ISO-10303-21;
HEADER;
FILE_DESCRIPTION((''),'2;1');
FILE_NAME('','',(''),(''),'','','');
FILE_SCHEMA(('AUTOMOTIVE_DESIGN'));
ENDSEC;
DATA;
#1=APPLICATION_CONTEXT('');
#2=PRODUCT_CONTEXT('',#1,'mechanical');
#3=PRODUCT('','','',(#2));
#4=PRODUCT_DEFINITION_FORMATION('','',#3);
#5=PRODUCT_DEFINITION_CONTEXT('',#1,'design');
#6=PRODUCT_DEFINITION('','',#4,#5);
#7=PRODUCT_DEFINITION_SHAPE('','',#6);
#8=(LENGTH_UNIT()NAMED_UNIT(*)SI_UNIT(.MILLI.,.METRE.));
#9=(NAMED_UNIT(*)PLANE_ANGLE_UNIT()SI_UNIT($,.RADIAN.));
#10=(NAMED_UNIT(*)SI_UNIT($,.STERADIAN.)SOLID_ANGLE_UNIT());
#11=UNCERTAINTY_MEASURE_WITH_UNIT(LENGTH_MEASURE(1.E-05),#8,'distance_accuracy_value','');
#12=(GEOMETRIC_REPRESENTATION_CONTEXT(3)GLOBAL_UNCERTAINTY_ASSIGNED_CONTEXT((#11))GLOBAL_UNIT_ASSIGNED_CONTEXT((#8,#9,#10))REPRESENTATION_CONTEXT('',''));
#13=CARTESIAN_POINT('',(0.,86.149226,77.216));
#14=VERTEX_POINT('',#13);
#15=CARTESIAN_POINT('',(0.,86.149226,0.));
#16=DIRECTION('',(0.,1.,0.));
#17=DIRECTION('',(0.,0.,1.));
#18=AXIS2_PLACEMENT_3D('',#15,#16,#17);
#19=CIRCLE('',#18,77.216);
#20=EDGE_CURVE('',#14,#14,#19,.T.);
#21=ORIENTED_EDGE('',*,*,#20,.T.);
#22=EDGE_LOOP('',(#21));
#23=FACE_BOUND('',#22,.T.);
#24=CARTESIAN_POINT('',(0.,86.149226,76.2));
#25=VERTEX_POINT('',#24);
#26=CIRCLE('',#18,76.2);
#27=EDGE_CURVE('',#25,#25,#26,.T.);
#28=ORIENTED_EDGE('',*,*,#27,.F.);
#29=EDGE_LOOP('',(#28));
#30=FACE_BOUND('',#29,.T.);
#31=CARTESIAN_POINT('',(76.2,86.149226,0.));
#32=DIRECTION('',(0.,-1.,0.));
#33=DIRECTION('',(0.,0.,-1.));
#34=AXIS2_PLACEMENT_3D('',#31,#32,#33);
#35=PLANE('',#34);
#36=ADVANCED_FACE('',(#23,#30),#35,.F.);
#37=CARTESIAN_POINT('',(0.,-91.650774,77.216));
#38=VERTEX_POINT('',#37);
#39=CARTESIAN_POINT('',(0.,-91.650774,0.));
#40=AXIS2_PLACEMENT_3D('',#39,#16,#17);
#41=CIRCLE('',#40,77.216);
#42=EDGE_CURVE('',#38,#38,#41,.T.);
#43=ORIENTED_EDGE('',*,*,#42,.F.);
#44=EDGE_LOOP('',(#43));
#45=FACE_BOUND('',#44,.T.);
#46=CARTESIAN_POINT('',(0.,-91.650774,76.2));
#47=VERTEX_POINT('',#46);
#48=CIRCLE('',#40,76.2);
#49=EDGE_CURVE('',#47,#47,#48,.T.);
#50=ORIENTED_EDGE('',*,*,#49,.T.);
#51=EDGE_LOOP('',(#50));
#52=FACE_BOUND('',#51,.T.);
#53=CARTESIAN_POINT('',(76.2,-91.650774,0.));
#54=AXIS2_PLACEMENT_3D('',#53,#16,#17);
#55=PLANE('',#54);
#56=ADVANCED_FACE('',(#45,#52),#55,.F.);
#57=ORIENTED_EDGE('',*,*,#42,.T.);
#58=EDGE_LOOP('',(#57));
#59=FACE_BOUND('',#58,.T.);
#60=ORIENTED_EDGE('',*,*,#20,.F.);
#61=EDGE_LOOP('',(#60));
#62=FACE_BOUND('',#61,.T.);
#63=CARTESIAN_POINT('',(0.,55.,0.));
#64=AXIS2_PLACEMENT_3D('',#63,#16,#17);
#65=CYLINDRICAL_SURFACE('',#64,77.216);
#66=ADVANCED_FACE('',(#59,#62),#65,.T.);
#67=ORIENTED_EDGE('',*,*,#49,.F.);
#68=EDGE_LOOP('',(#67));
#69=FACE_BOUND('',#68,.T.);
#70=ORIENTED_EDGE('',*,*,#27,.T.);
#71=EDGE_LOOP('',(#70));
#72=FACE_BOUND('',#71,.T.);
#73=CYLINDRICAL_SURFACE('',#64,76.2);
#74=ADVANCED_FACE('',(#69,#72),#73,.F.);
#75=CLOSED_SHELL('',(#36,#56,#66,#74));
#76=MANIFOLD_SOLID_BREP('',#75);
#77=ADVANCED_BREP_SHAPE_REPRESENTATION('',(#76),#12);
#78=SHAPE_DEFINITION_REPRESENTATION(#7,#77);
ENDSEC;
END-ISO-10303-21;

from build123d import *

# Parameters (mm, degrees)
SKETCH2_W = 1.016
SKETCH2_H = 177.8


with BuildPart() as part:
    # Sketch2 → Revolve1 (revolve)
    with BuildSketch(Plane.XY):
        with Locations((76.708, -2.750773558)):
            Rectangle(SKETCH2_W, SKETCH2_H)
    revolve(axis=Axis((0, 55, 0), (0, -1, 0)))


solid = part.part
